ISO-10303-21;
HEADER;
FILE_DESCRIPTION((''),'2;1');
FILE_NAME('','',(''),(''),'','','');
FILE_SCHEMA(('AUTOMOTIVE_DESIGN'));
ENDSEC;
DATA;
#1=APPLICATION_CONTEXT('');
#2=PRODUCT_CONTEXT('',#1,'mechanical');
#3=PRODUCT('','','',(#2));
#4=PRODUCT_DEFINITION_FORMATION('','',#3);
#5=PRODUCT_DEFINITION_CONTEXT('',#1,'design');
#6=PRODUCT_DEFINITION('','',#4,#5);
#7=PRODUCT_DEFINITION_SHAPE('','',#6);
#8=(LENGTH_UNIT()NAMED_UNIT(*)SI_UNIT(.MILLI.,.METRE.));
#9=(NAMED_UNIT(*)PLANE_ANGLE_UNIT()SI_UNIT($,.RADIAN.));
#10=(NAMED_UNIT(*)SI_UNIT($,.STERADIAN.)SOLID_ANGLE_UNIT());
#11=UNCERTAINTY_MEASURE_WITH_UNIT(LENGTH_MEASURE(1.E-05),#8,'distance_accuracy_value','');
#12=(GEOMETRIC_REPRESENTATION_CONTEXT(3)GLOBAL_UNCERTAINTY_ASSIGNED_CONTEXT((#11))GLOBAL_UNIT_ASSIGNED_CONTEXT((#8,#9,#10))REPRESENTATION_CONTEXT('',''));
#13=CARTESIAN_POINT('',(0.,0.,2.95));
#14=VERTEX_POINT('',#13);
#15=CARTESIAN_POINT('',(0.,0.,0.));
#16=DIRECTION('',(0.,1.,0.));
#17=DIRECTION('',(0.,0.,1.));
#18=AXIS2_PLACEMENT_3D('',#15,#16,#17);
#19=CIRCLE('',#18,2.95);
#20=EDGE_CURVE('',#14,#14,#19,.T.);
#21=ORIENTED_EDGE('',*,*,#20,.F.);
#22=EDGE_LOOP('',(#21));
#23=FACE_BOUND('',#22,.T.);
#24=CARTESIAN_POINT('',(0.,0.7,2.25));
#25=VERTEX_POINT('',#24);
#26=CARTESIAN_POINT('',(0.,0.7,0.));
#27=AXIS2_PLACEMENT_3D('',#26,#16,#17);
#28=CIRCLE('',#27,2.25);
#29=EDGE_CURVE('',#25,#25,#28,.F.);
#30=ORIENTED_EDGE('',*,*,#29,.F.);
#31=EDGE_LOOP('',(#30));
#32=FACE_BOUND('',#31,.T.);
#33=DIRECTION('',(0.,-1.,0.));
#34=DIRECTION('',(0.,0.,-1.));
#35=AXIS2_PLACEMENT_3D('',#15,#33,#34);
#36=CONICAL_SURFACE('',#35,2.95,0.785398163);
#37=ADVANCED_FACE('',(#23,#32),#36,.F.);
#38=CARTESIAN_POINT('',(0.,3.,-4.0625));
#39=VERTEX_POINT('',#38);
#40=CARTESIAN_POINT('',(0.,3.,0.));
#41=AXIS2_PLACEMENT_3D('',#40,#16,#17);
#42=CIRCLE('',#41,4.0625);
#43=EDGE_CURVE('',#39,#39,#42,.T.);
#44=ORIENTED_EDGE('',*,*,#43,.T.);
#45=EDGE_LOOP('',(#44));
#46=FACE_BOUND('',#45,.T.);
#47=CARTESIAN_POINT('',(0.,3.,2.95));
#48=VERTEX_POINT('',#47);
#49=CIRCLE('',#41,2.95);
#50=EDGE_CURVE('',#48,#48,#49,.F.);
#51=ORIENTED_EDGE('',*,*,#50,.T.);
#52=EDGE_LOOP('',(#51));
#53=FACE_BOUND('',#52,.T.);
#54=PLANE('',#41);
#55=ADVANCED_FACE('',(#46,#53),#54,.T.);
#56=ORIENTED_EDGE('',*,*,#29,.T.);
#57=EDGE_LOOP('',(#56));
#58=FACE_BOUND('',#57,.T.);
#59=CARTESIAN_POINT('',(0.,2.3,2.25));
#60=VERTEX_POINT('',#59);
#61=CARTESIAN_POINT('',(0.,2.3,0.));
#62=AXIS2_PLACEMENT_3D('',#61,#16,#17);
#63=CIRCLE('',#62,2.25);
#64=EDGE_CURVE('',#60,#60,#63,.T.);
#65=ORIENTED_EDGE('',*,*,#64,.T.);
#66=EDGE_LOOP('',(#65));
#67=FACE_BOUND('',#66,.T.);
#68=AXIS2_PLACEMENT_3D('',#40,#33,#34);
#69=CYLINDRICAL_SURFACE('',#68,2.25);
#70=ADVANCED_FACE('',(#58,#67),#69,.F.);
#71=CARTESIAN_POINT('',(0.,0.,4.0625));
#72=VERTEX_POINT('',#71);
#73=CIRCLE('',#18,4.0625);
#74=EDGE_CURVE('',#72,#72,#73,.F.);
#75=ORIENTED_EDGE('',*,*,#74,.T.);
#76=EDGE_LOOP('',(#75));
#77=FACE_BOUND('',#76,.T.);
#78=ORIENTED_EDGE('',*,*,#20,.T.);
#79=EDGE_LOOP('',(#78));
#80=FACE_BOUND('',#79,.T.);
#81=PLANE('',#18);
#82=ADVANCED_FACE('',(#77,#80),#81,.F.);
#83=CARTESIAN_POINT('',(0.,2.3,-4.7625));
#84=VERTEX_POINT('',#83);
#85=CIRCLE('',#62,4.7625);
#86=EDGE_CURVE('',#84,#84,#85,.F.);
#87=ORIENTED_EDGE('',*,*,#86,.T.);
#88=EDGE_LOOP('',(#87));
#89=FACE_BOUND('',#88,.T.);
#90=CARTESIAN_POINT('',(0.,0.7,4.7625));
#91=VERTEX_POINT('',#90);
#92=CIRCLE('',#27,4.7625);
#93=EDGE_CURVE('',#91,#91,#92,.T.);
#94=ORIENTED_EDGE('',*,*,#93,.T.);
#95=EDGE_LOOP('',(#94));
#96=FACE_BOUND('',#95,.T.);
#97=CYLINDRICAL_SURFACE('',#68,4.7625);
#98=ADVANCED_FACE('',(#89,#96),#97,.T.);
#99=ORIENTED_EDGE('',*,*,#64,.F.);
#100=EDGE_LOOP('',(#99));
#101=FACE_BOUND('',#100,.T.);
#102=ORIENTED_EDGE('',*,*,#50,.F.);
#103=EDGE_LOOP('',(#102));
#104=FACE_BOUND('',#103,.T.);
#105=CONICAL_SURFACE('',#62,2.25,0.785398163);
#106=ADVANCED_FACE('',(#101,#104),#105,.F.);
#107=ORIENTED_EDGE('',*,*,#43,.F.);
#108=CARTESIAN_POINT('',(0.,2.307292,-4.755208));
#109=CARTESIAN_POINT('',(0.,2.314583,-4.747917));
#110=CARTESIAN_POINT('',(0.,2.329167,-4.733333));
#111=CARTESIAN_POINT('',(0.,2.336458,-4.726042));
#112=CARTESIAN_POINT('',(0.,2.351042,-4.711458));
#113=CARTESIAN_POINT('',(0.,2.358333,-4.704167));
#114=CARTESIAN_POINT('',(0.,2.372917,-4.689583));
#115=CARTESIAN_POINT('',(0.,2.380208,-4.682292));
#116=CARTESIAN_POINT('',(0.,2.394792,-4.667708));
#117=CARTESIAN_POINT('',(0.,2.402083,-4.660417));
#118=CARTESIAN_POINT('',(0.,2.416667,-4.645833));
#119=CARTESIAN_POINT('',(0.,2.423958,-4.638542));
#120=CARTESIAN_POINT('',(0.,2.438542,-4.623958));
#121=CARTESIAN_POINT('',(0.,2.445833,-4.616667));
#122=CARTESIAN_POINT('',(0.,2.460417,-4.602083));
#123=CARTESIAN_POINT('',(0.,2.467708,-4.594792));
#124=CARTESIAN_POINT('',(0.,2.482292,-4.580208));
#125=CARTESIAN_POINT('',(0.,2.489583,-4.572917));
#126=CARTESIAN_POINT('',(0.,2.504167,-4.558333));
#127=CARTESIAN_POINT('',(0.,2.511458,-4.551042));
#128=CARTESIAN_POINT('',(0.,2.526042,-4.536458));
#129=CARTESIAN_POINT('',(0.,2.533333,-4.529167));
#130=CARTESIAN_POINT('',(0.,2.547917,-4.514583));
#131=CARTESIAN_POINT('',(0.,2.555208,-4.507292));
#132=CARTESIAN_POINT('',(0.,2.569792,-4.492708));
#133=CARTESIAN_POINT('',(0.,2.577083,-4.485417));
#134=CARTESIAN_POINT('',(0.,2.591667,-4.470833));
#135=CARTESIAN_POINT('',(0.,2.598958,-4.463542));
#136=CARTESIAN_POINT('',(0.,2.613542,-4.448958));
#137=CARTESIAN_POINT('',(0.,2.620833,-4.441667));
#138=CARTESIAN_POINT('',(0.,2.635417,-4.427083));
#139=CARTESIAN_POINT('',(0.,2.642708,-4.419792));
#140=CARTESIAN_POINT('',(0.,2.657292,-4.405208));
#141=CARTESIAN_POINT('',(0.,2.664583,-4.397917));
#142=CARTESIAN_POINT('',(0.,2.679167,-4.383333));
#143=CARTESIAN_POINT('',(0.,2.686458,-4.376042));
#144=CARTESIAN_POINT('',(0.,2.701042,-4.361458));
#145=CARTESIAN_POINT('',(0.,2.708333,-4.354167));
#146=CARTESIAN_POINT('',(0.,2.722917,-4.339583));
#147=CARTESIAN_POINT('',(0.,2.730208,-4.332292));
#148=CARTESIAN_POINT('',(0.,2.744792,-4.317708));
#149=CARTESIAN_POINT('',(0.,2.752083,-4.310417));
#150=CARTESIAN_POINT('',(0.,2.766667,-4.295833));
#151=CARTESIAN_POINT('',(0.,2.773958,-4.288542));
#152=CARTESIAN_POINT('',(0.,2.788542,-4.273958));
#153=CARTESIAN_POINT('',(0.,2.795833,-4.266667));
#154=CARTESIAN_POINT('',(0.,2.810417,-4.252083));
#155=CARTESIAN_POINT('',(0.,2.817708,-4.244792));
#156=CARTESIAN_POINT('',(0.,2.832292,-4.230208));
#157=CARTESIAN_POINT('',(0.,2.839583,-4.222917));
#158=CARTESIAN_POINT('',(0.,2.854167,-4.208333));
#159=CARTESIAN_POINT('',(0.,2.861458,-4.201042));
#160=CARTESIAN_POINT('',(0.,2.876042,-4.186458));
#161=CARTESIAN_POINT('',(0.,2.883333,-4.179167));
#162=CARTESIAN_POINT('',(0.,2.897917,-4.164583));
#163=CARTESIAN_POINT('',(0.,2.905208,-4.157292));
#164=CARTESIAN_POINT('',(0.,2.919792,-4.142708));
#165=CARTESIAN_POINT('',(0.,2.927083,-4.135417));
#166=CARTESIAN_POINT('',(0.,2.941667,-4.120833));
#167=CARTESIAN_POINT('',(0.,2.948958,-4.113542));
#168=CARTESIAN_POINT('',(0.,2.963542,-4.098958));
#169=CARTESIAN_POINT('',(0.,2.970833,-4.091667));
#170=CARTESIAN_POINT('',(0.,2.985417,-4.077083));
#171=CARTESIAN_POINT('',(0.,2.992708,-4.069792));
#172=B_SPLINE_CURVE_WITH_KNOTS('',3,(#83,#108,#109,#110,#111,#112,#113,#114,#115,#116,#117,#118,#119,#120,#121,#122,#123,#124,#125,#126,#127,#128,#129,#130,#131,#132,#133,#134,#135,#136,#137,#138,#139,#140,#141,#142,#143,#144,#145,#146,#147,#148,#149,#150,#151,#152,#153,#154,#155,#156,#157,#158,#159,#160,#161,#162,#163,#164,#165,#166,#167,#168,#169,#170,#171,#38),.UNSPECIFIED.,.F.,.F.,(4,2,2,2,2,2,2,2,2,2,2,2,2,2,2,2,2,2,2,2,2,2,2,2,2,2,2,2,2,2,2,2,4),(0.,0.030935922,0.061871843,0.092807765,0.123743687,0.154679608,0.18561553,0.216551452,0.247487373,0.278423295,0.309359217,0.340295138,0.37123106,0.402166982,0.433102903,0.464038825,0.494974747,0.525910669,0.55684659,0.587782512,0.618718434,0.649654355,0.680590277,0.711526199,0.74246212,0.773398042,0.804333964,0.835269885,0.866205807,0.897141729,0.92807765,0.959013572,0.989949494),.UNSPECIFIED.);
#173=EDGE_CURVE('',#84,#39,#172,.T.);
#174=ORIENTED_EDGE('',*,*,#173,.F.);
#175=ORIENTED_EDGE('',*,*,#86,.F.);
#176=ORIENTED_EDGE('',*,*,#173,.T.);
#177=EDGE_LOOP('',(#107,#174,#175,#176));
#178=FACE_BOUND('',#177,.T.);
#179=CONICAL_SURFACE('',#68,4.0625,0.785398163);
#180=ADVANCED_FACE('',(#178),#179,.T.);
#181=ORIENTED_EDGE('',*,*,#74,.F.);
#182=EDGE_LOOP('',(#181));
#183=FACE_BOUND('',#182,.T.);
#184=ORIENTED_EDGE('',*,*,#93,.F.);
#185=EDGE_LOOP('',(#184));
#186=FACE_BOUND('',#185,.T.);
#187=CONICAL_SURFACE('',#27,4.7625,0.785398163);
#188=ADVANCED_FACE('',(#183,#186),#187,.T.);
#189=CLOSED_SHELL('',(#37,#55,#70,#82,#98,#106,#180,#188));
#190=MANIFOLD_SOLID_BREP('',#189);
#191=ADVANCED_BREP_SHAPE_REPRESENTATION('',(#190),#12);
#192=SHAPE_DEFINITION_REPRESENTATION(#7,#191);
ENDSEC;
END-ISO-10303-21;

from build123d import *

# Parameters (mm, degrees)
SKETCH1_R           = 4.7625
SKETCH1_R_2         = 2.25
BOSS_EXTRUDE1_DEPTH = 3
CHAMFER1_SIZE       = 0.7


with BuildPart() as part:
    # Sketch1 → Boss-Extrude1 (new body)
    with BuildSketch(Plane(origin=(0, 0, 0), x_dir=(1, 0, 0), z_dir=(0, 1, 0))):
        with Locations(Location((0, 0, 0), (0, 0, 270))):
            Circle(SKETCH1_R)
        with Locations(Location((0, 0, 0), (0, 0, 270))):
            Circle(SKETCH1_R_2, mode=Mode.SUBTRACT)
    extrude(amount=BOSS_EXTRUDE1_DEPTH)

    # Chamfer1
    chamfer1_edges = [part.edges().sort_by_distance(p)[0] for p in [
        (0, 0, -4.7625),
        (0, 3, -4.7625),
        (0, 0, -2.25),
        (0, 3, -2.25),
    ]]
    chamfer(chamfer1_edges, length=CHAMFER1_SIZE)


solid = part.part
